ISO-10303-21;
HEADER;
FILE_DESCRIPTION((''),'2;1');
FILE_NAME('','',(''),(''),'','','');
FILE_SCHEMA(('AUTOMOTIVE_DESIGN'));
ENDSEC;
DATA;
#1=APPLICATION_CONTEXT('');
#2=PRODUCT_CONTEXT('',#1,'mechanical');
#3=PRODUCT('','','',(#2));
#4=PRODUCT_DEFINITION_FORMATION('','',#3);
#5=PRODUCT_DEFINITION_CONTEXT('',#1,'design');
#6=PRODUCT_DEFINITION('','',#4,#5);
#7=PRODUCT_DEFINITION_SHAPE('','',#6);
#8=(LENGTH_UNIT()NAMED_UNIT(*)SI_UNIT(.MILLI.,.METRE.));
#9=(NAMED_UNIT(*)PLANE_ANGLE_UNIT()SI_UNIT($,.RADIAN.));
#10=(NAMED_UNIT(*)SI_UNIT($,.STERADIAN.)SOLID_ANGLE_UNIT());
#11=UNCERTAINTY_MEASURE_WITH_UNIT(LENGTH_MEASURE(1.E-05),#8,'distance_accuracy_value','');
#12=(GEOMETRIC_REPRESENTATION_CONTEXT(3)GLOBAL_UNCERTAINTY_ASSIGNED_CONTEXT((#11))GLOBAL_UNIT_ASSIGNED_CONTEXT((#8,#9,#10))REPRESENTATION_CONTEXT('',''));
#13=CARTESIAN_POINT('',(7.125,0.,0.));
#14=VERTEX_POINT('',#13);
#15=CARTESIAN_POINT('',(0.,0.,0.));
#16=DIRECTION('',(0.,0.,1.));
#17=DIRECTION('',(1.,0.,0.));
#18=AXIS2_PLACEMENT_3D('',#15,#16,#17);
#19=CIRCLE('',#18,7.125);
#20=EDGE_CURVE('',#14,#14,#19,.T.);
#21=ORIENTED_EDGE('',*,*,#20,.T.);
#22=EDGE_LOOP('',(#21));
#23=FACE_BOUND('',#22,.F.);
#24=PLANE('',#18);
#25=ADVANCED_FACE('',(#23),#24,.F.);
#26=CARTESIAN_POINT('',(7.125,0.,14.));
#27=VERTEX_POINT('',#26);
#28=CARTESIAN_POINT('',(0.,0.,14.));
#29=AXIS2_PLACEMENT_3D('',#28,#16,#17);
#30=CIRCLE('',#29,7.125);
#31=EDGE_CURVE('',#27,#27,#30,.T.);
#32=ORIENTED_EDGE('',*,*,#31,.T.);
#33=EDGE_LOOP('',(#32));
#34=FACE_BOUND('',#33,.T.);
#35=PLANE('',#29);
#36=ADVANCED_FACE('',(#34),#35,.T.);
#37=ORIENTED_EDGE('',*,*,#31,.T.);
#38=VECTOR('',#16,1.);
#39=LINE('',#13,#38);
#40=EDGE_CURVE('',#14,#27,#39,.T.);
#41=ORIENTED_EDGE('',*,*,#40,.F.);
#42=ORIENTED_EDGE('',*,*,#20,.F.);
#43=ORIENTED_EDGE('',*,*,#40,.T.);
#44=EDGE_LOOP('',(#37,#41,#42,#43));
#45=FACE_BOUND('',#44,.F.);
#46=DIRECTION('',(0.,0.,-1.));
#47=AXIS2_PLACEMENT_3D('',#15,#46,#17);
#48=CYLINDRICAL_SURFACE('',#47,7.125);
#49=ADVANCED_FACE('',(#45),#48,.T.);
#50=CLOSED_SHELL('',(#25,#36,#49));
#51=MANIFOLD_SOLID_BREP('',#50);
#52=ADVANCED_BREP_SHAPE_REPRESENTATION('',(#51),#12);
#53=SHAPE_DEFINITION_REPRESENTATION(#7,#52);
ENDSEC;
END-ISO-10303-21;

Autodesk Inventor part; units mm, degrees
ref_plane "YZ Plane" through (0, 0, 0) normal (1, 0, 0) x (0, 1, 0)
ref_plane "XZ Plane" through (0, 0, 0) normal (0, 1, 0) x (-1, 0, 0)
ref_plane "XY Plane" through (0, 0, 0) normal (0, 0, 1) x (1, 0, 0)
sketch "Sketch1" plane through (0, 0, 0) normal (0, 0, 1) x (1, 0, 0)
  circle A0 centre (0, 0) radius 7.125
  dimension "d0" = 14.25
extrude "Extrusion1" add sketch "Sketch1" along normal blind 14
properties part number "peg"
